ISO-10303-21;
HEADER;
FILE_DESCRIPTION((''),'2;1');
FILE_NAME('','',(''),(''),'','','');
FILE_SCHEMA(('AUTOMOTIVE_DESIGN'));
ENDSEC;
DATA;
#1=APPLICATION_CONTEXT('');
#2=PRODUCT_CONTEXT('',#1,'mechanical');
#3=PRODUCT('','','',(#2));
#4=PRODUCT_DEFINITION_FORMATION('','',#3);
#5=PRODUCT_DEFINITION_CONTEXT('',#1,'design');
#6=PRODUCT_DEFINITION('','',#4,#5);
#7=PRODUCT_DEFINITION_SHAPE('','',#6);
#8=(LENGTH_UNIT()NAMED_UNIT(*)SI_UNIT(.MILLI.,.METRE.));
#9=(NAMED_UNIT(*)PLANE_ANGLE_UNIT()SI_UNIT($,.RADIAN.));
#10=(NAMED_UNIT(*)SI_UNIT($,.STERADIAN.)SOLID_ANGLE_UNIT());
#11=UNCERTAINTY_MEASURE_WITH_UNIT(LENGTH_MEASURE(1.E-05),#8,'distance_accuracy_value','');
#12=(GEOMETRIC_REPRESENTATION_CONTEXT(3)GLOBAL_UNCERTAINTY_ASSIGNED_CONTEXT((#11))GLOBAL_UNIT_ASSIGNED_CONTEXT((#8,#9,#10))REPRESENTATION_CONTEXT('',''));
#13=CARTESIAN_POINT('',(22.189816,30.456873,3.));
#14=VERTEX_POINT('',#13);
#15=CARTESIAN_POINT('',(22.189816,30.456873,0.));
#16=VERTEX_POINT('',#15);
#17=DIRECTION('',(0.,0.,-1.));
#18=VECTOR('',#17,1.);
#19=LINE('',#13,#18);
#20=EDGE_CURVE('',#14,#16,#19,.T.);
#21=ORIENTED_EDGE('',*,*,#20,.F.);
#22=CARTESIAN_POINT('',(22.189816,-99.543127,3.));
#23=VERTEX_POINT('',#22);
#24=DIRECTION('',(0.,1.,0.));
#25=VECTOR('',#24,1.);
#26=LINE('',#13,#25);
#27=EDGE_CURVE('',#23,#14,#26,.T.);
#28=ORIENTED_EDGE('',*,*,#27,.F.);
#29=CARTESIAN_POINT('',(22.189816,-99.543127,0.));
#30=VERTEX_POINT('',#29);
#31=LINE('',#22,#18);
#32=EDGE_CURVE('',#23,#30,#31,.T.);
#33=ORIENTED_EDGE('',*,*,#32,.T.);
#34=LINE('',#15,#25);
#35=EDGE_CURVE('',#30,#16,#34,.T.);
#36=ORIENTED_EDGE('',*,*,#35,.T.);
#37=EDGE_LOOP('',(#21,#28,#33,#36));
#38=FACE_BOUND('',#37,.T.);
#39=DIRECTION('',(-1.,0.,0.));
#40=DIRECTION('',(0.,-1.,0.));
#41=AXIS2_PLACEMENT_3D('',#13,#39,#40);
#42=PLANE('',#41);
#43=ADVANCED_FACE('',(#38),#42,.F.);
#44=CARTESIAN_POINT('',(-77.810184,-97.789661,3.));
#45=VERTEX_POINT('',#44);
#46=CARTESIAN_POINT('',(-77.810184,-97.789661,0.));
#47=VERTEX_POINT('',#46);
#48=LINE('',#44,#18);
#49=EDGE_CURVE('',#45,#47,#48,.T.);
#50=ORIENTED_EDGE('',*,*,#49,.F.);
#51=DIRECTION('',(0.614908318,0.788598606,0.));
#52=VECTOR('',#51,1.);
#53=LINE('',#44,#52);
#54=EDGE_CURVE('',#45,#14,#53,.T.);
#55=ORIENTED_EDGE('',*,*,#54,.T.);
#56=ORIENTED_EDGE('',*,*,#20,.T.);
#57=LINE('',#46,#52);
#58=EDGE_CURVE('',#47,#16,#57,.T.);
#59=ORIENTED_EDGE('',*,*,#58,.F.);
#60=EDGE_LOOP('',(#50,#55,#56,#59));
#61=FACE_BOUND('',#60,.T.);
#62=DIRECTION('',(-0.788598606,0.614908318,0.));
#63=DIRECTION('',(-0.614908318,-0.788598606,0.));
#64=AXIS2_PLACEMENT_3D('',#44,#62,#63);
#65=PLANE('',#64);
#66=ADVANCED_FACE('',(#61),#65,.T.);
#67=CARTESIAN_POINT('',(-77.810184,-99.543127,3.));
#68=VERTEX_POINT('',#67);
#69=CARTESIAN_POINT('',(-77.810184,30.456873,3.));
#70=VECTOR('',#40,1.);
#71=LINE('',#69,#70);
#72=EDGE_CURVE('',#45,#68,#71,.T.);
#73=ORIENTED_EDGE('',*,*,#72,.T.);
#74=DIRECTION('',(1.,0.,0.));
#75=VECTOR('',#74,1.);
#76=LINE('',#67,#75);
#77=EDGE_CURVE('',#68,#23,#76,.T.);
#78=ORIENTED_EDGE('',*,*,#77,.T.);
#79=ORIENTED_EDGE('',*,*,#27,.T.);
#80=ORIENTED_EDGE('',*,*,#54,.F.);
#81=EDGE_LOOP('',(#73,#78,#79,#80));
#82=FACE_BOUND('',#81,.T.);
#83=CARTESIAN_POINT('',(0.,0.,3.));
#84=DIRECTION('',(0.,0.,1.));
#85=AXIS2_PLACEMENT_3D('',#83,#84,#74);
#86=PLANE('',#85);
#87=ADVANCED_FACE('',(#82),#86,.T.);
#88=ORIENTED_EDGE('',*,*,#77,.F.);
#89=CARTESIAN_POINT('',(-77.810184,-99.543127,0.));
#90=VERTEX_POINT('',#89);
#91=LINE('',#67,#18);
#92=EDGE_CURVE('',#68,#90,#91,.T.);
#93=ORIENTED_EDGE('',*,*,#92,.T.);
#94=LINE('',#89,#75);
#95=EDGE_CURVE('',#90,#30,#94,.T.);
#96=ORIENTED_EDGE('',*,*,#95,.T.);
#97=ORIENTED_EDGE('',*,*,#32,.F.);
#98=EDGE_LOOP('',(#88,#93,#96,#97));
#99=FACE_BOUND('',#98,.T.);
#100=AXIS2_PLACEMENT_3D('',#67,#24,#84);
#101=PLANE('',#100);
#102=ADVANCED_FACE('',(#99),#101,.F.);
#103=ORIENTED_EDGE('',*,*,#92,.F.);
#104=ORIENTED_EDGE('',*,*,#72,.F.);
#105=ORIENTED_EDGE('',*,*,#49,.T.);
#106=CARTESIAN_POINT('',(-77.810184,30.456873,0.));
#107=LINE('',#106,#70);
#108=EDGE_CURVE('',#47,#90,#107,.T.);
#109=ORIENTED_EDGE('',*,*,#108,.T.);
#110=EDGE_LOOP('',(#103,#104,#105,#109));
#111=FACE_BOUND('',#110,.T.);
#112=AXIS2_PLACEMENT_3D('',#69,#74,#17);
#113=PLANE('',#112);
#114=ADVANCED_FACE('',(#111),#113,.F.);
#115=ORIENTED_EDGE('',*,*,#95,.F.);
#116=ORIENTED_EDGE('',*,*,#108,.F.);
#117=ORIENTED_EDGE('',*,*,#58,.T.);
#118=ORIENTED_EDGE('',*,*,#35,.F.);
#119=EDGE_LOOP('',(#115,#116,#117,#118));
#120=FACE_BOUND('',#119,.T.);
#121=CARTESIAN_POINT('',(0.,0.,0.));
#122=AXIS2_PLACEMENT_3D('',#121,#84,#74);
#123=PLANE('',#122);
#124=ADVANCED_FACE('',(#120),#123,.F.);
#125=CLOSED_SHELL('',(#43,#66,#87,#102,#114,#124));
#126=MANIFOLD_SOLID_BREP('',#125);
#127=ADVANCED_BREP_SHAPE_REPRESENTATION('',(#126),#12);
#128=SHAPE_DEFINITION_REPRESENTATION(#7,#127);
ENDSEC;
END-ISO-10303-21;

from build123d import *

# Parameters (mm, degrees)
SKETCH_1_W          = 100
SKETCH_1_H          = 130
EXTRUDE_1_DEPTH     = 3
CUT_EXTRUDE_5_DEPTH = 127.381402242


with BuildPart() as part:
    # 草图1 → 凸台-拉伸1 (new body)
    with BuildSketch(Plane.XY):
        with Locations((-27.81018426, -34.543126624)):
            Rectangle(SKETCH_1_W, SKETCH_1_H)
    extrude(amount=EXTRUDE_1_DEPTH)

    # 草图2 → 切除-拉伸5 (cut, through all)
    with BuildSketch(Plane.XY):
        Polygon((-77.81018426, 30.456873376), (22.18981574, 30.456873376), (-77.81018426, -97.789660723), align=None)
    extrude(amount=CUT_EXTRUDE_5_DEPTH, mode=Mode.SUBTRACT)


solid = part.part
